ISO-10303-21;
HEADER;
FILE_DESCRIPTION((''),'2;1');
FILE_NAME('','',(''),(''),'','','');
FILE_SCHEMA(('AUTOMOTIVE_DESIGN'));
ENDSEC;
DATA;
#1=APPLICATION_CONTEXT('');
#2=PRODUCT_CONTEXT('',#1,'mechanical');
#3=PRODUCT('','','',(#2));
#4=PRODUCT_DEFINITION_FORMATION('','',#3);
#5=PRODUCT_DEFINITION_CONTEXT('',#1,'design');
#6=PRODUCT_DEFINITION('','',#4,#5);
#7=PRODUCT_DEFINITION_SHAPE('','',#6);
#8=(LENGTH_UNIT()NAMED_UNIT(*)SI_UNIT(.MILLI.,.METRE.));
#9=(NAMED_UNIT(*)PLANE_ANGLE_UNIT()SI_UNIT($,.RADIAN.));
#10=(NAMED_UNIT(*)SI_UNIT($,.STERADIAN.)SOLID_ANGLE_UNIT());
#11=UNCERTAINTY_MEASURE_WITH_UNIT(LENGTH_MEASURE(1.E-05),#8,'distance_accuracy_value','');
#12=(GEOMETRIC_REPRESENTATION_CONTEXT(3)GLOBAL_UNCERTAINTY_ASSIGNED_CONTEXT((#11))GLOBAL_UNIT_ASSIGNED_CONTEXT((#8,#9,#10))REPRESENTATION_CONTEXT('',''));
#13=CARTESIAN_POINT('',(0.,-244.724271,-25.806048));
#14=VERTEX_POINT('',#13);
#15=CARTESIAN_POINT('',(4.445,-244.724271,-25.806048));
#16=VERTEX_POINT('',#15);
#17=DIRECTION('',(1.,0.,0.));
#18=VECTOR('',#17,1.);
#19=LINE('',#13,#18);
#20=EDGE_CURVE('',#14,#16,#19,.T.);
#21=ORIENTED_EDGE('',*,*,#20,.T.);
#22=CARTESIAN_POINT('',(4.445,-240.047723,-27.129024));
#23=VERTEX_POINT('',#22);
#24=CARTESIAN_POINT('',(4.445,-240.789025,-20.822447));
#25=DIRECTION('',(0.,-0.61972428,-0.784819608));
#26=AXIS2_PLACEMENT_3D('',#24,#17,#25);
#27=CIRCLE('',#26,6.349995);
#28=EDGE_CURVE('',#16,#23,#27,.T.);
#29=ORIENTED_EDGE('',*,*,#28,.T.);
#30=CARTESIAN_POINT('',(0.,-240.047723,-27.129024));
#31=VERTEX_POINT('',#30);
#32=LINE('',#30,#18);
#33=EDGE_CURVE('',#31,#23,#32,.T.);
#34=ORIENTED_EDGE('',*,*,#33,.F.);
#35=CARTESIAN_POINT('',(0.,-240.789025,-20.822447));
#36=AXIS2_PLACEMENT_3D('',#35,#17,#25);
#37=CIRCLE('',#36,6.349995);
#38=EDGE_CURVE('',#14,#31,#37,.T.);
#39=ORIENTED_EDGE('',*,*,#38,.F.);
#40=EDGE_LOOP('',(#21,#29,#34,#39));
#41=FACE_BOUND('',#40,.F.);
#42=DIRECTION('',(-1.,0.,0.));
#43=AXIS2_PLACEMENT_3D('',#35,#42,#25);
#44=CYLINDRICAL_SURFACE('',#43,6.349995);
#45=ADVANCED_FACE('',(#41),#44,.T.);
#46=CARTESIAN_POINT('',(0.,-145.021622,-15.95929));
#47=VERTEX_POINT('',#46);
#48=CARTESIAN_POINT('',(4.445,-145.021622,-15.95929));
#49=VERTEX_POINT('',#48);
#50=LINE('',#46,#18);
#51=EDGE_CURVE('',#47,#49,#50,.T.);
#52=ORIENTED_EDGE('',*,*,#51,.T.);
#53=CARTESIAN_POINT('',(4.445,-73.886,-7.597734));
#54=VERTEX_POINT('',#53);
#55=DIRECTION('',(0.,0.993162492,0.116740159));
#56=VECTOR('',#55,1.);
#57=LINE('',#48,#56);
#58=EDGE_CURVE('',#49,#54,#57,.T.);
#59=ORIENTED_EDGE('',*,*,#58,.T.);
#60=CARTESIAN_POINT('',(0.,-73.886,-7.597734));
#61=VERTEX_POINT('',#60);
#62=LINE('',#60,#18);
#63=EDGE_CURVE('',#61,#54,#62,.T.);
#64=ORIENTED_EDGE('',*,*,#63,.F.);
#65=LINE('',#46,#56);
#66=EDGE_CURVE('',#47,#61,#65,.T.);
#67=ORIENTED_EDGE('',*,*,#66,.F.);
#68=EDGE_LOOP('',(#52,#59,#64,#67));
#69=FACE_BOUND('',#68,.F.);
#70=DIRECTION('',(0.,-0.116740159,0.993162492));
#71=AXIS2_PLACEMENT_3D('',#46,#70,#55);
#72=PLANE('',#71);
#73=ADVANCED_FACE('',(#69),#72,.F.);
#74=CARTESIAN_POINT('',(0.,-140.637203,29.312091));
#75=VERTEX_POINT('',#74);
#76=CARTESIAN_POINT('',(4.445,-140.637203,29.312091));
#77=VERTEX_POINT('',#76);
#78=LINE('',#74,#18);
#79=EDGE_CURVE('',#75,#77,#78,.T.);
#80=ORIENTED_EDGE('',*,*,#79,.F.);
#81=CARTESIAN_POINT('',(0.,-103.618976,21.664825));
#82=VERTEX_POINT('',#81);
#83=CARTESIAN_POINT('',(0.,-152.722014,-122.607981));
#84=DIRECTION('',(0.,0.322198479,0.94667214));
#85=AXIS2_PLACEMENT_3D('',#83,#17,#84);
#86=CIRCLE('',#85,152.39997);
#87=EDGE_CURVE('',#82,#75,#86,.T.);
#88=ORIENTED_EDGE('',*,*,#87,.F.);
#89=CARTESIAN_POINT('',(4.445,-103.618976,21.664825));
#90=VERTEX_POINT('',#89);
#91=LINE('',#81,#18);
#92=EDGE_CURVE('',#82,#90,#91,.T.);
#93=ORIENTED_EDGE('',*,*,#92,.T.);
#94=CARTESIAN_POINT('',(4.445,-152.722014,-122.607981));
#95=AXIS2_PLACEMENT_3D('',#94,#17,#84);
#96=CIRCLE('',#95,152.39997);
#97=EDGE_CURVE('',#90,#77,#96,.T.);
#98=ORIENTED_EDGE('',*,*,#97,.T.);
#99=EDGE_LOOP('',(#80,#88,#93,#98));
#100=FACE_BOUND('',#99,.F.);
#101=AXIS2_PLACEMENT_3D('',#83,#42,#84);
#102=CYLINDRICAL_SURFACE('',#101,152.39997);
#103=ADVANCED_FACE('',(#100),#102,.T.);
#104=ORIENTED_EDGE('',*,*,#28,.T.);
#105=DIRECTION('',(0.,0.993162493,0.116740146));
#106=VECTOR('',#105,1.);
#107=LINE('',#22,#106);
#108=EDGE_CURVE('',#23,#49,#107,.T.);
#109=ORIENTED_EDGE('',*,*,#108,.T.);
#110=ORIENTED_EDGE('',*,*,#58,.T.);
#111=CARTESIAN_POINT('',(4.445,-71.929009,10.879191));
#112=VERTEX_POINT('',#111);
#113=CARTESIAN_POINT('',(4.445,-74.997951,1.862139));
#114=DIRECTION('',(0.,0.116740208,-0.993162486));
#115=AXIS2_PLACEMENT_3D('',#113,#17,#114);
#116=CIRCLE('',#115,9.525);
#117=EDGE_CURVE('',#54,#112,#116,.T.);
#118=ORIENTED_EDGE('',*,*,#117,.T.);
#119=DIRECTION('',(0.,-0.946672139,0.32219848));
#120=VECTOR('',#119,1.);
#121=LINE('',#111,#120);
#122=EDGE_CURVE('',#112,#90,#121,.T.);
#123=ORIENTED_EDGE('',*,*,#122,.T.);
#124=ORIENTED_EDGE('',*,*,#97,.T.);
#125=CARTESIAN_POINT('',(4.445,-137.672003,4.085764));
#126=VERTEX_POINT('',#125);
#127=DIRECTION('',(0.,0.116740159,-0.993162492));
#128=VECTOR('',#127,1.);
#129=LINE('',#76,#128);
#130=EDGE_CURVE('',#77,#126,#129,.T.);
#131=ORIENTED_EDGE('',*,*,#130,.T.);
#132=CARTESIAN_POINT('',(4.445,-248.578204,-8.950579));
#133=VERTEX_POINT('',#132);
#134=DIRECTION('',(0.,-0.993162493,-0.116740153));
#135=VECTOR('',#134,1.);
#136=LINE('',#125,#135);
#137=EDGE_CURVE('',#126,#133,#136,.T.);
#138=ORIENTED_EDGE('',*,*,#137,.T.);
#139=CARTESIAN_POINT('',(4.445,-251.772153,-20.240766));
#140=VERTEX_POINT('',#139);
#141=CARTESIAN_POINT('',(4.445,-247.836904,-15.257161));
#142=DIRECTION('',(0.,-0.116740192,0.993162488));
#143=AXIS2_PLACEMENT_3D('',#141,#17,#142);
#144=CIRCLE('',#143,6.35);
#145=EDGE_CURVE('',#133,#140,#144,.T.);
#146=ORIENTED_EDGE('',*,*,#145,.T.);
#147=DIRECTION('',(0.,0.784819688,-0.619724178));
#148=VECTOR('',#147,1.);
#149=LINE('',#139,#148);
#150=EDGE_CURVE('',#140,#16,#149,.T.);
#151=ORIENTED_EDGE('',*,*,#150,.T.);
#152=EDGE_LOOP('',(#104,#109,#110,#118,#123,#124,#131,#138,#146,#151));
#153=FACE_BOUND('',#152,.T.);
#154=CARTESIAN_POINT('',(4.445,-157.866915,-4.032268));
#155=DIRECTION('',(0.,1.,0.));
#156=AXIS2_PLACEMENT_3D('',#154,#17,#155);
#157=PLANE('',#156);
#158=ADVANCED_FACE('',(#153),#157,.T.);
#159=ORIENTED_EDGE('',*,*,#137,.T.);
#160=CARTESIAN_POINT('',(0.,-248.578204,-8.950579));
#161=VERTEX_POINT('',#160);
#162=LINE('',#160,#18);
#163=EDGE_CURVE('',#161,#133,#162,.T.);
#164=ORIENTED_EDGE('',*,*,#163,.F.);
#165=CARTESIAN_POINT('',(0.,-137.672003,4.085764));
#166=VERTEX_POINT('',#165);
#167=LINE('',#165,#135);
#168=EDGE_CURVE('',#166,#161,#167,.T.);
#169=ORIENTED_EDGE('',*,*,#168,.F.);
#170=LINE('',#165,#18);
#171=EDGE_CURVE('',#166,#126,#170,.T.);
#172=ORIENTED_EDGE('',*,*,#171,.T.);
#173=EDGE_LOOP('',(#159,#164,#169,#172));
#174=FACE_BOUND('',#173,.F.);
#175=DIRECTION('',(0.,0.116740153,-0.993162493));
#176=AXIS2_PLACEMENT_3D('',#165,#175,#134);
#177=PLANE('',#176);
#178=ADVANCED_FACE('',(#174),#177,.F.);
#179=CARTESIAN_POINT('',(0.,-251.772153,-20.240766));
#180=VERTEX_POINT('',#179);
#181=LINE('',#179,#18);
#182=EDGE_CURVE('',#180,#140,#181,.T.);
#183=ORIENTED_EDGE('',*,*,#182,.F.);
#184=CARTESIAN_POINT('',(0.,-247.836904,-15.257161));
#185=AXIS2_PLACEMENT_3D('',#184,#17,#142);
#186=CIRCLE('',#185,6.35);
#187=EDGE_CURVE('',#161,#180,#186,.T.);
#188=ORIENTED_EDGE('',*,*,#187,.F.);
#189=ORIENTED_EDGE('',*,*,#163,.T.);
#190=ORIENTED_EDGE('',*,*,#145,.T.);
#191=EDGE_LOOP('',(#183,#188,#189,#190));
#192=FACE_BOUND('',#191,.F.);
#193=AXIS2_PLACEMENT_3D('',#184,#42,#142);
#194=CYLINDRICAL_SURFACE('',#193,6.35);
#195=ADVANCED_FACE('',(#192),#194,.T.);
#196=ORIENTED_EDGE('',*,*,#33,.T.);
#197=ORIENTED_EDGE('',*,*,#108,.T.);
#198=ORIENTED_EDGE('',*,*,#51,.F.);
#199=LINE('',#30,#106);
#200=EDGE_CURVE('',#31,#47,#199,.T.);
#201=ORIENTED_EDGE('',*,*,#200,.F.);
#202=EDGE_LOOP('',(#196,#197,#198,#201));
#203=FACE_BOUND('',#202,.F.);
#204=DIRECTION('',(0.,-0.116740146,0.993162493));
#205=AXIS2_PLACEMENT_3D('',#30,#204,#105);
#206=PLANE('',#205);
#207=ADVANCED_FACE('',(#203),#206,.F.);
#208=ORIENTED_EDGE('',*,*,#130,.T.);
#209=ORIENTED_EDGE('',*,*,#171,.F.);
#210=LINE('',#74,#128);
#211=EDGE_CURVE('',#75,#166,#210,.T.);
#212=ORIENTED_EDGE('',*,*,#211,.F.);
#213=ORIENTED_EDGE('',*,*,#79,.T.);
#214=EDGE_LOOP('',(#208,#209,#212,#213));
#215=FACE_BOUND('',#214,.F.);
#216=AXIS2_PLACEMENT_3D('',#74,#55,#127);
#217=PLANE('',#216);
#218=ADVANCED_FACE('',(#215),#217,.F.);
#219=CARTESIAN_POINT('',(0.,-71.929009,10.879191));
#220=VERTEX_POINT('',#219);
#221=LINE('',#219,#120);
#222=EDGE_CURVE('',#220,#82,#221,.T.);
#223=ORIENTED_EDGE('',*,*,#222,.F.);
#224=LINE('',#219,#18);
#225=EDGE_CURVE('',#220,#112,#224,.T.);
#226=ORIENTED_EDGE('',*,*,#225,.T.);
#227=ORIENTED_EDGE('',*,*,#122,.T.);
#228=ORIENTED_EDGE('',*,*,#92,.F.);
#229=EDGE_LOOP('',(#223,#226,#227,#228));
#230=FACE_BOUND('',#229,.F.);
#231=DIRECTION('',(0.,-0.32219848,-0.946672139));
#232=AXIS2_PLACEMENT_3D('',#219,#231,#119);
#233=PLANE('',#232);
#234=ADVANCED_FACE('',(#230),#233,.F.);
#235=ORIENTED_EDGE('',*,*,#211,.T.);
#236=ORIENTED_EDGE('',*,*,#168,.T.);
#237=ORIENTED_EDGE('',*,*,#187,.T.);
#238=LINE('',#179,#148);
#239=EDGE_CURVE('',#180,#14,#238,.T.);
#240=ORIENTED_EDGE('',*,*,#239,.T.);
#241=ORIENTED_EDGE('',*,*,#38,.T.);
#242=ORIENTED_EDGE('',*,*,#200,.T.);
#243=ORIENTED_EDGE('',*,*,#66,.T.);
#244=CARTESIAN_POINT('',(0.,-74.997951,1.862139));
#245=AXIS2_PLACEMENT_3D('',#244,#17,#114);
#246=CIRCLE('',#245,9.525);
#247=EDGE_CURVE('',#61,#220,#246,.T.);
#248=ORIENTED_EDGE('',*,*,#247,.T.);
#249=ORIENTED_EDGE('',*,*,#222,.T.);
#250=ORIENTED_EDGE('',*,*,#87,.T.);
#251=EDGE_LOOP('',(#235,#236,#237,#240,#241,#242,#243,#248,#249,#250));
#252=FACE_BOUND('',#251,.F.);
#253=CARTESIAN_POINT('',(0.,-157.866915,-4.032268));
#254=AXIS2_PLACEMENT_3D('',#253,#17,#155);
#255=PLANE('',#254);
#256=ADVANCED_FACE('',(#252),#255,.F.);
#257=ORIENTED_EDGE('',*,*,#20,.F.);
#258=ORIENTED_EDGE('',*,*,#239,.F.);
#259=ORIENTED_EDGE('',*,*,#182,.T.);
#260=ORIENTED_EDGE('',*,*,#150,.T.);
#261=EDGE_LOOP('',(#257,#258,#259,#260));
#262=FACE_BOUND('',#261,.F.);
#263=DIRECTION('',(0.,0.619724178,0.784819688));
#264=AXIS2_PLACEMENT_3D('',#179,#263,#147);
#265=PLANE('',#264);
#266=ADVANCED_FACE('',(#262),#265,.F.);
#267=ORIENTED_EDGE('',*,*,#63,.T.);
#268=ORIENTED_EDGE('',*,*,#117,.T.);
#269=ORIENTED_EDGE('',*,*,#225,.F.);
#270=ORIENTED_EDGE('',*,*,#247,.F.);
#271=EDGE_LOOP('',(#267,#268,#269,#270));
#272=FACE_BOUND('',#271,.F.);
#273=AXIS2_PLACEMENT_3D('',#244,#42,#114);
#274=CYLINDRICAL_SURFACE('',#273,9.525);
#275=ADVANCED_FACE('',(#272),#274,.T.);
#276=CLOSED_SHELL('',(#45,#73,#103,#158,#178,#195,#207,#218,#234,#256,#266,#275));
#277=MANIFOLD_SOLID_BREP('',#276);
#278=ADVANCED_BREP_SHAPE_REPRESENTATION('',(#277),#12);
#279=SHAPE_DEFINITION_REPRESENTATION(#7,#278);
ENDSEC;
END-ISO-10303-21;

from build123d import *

# Parameters (mm, degrees)
F1_DEPTH = 4.445


with BuildPart() as f1:
    # F0 (on Right) → F1 (new body)
    with BuildSketch(Plane.YZ):
        with BuildLine():
            Line((-71.929009, 10.879191), (-103.618976, 21.664825))
            ThreePointArc((-103.618976, 21.664825), (-121.890076, 26.640612), (-140.637203, 29.312091))
            Line((-140.637203, 29.312091), (-137.672003, 4.085764))
            Line((-137.672003, 4.085764), (-248.578204, -8.950579))
            ThreePointArc((-248.578204, -8.950579), (-253.947109, -13.528608), (-251.772153, -20.240766))
            Line((-251.772153, -20.240766), (-244.724271, -25.806048))
            ThreePointArc((-244.724271, -25.806048), (-242.517575, -26.932648), (-240.047723, -27.129024))
            Line((-240.047723, -27.129024), (-145.021622, -15.95929))
            Line((-145.021622, -15.95929), (-73.886, -7.597734))
            ThreePointArc((-73.886, -7.597734), (-65.525931, 0.858906), (-71.929009, 10.879191))
        make_face()
    extrude(amount=F1_DEPTH)


solid = f1.part
